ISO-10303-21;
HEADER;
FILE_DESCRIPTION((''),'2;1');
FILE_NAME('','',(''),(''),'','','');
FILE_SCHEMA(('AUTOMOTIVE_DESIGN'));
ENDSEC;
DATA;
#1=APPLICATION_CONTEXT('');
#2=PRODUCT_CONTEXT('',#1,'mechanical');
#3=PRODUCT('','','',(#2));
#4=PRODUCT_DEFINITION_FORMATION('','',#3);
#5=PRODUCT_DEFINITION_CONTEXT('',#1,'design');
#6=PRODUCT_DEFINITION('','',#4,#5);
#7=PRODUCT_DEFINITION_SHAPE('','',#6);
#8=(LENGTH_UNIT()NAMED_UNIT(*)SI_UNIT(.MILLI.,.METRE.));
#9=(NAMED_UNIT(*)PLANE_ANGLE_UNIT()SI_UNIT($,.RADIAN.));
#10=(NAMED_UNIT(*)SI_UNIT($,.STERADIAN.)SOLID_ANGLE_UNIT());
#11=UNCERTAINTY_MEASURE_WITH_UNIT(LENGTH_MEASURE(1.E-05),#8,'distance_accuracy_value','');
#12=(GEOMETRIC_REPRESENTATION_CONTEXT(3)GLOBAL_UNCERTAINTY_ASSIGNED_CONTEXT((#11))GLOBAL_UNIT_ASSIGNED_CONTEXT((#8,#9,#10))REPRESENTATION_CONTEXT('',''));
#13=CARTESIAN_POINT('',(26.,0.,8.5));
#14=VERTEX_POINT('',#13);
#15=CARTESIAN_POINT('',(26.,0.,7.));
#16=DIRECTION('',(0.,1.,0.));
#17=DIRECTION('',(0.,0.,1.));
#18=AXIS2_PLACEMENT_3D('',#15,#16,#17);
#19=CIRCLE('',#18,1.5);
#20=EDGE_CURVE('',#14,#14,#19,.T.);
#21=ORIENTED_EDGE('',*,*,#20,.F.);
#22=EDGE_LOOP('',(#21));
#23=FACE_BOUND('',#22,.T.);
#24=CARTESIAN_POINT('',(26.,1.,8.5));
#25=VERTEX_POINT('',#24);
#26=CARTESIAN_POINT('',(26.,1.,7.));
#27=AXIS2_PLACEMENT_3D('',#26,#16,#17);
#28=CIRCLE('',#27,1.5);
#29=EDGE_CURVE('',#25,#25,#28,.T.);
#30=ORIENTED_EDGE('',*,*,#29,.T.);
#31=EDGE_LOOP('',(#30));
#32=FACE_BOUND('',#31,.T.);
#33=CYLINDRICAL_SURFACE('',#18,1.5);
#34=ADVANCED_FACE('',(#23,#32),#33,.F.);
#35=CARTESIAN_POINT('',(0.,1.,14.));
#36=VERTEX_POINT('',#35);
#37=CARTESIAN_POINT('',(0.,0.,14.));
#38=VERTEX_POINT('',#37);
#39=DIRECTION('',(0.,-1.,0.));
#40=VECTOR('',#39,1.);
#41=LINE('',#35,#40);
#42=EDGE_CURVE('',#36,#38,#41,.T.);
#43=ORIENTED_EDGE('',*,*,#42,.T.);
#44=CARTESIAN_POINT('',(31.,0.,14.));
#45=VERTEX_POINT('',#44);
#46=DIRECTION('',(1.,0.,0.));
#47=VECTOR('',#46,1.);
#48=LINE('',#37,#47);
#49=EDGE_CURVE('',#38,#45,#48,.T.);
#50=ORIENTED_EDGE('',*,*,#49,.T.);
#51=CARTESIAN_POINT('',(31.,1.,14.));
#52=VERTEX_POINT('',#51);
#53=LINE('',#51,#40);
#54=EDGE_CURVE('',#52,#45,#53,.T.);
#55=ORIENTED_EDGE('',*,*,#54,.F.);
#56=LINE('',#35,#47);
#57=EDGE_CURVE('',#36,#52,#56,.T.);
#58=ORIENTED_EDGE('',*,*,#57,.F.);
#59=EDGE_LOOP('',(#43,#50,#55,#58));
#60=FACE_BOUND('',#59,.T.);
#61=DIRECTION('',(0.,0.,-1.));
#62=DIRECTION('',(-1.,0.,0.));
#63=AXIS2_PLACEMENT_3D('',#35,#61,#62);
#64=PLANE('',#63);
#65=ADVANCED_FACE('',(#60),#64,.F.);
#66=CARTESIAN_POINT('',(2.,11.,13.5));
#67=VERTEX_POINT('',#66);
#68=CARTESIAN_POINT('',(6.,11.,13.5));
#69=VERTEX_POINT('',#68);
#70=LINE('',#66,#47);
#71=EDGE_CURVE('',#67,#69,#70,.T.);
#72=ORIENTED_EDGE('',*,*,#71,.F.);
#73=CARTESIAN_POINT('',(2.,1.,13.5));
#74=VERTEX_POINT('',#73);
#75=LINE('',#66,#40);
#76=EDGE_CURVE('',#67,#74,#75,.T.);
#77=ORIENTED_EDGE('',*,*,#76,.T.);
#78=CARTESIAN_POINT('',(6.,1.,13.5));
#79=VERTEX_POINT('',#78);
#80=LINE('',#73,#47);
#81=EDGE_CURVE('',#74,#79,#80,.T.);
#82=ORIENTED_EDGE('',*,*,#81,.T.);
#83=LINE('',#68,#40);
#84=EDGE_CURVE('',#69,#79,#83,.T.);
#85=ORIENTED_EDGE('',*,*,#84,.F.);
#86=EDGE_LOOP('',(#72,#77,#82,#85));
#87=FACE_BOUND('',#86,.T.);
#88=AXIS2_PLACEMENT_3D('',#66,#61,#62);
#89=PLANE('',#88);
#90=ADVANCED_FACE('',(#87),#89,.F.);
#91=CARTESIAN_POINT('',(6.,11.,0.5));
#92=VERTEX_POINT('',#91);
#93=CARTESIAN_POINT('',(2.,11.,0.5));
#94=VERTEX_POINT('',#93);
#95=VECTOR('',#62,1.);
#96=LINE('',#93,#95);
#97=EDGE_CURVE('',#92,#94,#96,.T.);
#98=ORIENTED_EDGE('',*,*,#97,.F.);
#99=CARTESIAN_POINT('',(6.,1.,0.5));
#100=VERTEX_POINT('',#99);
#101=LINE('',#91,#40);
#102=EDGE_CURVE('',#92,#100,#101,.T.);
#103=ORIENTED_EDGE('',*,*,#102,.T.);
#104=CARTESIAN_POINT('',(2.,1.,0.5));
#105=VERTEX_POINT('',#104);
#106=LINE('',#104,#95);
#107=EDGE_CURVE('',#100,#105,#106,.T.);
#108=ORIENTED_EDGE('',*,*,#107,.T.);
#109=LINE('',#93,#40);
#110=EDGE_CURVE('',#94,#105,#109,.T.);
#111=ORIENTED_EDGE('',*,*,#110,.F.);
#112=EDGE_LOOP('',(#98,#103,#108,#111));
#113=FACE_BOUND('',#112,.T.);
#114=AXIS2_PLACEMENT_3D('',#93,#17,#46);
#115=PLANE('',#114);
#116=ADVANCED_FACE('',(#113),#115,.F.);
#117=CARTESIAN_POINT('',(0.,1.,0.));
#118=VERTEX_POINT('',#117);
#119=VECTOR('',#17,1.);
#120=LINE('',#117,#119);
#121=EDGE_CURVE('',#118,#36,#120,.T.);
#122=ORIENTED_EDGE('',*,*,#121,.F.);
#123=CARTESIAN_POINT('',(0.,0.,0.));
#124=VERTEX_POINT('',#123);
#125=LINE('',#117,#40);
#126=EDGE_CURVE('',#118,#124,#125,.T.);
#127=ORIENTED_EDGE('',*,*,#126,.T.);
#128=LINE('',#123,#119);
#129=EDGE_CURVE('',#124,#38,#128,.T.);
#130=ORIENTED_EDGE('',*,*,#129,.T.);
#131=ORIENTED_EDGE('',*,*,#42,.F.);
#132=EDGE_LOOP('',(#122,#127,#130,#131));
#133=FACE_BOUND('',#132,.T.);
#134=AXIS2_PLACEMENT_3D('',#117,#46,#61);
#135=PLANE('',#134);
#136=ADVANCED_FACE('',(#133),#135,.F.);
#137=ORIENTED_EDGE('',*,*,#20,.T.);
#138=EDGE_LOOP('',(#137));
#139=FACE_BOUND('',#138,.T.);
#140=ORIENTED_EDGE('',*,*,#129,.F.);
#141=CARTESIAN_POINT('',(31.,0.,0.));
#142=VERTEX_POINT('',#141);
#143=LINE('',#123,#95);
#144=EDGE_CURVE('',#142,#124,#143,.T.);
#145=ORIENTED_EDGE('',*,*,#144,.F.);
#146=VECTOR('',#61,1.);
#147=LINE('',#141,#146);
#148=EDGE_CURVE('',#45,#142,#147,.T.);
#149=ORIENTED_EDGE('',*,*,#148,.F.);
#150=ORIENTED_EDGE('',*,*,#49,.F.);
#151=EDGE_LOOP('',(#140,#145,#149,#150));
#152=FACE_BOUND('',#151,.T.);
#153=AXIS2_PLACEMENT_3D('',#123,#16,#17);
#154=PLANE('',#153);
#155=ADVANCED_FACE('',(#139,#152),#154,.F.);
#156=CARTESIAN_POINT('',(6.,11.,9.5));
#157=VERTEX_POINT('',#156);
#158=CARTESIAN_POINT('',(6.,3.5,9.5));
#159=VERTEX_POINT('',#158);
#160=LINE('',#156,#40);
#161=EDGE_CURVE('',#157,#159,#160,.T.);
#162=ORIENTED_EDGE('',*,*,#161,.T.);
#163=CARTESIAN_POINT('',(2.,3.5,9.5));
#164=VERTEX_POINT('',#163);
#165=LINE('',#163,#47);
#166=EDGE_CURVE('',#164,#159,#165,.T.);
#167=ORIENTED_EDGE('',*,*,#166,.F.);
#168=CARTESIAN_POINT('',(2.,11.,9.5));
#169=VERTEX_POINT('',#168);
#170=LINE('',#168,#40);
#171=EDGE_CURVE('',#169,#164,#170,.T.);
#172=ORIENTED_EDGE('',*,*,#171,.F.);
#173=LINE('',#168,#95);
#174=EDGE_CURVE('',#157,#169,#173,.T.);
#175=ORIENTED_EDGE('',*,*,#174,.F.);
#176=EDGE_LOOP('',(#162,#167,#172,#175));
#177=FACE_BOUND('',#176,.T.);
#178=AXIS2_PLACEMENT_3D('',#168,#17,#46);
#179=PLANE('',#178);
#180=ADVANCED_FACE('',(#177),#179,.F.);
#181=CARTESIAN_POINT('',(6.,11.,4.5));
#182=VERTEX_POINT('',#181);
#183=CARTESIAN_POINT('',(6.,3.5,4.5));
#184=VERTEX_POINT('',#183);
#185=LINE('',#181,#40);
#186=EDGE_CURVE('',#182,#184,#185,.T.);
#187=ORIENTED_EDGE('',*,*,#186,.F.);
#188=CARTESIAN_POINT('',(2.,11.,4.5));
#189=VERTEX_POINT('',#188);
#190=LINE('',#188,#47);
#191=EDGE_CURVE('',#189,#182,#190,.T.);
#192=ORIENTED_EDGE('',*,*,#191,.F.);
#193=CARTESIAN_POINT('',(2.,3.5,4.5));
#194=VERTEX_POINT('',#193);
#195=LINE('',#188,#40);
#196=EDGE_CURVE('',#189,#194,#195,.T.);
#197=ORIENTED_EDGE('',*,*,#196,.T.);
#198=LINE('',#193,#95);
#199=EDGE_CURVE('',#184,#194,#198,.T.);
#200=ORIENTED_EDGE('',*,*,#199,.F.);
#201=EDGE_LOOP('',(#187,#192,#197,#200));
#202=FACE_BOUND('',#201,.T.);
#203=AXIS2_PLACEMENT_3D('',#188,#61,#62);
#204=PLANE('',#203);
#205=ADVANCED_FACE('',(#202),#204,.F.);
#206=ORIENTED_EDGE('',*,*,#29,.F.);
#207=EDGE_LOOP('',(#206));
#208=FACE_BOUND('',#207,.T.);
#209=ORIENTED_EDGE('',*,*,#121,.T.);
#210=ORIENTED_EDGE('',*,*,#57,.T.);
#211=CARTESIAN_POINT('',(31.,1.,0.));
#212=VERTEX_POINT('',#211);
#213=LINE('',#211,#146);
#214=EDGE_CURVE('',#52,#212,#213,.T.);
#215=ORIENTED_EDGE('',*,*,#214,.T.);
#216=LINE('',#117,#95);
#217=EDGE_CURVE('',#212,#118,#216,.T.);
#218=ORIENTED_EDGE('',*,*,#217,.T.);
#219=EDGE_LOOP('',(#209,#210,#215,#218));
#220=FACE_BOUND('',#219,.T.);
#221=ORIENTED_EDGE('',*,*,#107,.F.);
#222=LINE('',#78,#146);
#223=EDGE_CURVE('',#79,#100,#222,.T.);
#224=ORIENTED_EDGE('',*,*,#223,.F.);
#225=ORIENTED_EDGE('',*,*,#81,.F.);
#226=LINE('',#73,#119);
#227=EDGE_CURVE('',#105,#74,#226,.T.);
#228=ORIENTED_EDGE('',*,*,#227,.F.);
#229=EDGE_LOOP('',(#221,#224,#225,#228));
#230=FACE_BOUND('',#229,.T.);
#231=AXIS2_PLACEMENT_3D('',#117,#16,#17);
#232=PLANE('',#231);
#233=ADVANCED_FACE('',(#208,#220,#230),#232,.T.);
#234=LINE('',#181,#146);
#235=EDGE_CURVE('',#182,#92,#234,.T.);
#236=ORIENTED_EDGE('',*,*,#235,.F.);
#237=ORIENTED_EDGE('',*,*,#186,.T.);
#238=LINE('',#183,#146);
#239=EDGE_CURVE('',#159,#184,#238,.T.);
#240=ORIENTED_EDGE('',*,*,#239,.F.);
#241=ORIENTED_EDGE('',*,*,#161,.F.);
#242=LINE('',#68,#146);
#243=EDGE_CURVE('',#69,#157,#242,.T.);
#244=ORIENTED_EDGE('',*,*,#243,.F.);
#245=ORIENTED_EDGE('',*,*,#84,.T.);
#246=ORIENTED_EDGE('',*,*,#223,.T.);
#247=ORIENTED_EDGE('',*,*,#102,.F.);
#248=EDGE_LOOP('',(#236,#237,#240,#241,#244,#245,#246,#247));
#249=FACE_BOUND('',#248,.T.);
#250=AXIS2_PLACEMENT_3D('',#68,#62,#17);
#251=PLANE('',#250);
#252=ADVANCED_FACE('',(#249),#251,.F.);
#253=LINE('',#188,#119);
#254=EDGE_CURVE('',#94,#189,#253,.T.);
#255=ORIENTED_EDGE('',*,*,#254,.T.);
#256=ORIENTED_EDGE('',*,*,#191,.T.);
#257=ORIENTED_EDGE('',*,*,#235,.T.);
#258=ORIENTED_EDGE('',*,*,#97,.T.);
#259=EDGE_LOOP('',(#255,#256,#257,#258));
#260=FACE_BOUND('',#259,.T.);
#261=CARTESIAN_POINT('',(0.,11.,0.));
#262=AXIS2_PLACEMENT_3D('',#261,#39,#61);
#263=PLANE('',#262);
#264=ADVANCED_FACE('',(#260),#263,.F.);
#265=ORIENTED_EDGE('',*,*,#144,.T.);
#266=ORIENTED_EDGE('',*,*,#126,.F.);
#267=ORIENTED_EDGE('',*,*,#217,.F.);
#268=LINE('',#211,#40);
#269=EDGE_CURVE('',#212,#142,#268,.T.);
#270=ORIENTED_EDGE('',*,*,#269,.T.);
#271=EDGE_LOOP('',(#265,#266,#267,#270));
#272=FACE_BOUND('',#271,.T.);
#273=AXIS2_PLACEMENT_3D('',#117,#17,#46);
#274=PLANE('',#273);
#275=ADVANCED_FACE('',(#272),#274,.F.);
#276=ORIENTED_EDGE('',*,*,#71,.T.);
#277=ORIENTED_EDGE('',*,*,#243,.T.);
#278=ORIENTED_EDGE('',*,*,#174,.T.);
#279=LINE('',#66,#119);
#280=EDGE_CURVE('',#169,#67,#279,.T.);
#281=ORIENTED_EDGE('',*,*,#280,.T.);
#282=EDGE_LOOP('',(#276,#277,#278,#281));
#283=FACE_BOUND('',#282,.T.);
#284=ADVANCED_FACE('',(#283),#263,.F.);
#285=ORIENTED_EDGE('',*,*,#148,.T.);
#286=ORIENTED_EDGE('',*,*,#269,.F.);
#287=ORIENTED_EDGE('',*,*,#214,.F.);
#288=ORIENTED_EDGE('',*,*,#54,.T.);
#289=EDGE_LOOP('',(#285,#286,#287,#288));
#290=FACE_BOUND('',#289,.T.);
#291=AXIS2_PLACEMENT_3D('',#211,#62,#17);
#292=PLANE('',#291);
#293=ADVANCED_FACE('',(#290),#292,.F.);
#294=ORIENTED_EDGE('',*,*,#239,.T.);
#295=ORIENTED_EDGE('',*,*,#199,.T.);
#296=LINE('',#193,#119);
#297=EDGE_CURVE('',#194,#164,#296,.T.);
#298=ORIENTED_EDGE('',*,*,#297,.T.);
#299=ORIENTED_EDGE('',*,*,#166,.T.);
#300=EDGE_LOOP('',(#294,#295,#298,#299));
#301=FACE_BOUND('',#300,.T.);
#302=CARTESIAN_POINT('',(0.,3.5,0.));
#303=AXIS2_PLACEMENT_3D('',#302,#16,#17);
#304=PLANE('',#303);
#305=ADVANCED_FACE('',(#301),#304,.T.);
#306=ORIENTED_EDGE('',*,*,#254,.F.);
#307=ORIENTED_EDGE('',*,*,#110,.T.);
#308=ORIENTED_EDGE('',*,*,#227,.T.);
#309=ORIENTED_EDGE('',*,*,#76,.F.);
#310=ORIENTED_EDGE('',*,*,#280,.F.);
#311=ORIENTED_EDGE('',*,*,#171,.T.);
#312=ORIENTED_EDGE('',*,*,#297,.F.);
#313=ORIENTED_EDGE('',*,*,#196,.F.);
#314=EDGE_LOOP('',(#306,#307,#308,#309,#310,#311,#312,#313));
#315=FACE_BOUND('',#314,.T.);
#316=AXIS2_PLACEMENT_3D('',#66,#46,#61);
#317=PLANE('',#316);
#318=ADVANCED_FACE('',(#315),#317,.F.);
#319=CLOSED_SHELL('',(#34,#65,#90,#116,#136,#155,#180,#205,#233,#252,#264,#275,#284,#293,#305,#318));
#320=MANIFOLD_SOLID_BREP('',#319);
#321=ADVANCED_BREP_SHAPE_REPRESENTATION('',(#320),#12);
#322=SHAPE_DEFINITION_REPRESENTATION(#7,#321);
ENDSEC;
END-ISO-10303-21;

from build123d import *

# Parameters (mm, degrees)
SKETCH1_W           = 31
SKETCH1_H           = 14
BOSS_EXTRUDE1_DEPTH = 1
SKETCH2_W           = 4
SKETCH2_H           = 4
BOSS_EXTRUDE2_DEPTH = 10
SKETCH3_R           = 1.5
CUT_EXTRUDE1_DEPTH  = 36.454195802
SKETCH4_W           = 4
SKETCH4_H           = 5
BOSS_EXTRUDE3_DEPTH = 2.5


with BuildPart() as part:
    # Sketch1 → Boss-Extrude1 (new body)
    with BuildSketch(Plane(origin=(0, 0, 0), x_dir=(1, 0, 0), z_dir=(0, 1, 0))):
        with Locations((15.5, -7)):
            Rectangle(SKETCH1_W, SKETCH1_H)
    extrude(amount=BOSS_EXTRUDE1_DEPTH)

    # Sketch2 → Boss-Extrude2 (add)
    with BuildSketch(Plane(origin=(0, 1, 0), x_dir=(1, 0, 0), z_dir=(0, 1, 0))):
        with Locations((4, -11.5)):
            Rectangle(SKETCH2_W, SKETCH2_H)
        with Locations((4, -2.5)):
            Rectangle(SKETCH2_W, SKETCH2_H)
    extrude(amount=BOSS_EXTRUDE2_DEPTH)

    # Sketch3 → Cut-Extrude1 (cut, through all)
    with BuildSketch(Plane(origin=(0, 1, 0), x_dir=(1, 0, 0), z_dir=(0, 1, 0))):
        with Locations(Location((26, -7, 0), (0, 0, 270))):
            Circle(SKETCH3_R)
    extrude(amount=-CUT_EXTRUDE1_DEPTH, mode=Mode.SUBTRACT)

    # Sketch4 → Boss-Extrude3 (add)
    with BuildSketch(Plane(origin=(0, 1, 0), x_dir=(1, 0, 0), z_dir=(0, 1, 0))):
        with Locations((4, -7)):
            Rectangle(SKETCH4_W, SKETCH4_H)
    extrude(amount=BOSS_EXTRUDE3_DEPTH)


solid = part.part
